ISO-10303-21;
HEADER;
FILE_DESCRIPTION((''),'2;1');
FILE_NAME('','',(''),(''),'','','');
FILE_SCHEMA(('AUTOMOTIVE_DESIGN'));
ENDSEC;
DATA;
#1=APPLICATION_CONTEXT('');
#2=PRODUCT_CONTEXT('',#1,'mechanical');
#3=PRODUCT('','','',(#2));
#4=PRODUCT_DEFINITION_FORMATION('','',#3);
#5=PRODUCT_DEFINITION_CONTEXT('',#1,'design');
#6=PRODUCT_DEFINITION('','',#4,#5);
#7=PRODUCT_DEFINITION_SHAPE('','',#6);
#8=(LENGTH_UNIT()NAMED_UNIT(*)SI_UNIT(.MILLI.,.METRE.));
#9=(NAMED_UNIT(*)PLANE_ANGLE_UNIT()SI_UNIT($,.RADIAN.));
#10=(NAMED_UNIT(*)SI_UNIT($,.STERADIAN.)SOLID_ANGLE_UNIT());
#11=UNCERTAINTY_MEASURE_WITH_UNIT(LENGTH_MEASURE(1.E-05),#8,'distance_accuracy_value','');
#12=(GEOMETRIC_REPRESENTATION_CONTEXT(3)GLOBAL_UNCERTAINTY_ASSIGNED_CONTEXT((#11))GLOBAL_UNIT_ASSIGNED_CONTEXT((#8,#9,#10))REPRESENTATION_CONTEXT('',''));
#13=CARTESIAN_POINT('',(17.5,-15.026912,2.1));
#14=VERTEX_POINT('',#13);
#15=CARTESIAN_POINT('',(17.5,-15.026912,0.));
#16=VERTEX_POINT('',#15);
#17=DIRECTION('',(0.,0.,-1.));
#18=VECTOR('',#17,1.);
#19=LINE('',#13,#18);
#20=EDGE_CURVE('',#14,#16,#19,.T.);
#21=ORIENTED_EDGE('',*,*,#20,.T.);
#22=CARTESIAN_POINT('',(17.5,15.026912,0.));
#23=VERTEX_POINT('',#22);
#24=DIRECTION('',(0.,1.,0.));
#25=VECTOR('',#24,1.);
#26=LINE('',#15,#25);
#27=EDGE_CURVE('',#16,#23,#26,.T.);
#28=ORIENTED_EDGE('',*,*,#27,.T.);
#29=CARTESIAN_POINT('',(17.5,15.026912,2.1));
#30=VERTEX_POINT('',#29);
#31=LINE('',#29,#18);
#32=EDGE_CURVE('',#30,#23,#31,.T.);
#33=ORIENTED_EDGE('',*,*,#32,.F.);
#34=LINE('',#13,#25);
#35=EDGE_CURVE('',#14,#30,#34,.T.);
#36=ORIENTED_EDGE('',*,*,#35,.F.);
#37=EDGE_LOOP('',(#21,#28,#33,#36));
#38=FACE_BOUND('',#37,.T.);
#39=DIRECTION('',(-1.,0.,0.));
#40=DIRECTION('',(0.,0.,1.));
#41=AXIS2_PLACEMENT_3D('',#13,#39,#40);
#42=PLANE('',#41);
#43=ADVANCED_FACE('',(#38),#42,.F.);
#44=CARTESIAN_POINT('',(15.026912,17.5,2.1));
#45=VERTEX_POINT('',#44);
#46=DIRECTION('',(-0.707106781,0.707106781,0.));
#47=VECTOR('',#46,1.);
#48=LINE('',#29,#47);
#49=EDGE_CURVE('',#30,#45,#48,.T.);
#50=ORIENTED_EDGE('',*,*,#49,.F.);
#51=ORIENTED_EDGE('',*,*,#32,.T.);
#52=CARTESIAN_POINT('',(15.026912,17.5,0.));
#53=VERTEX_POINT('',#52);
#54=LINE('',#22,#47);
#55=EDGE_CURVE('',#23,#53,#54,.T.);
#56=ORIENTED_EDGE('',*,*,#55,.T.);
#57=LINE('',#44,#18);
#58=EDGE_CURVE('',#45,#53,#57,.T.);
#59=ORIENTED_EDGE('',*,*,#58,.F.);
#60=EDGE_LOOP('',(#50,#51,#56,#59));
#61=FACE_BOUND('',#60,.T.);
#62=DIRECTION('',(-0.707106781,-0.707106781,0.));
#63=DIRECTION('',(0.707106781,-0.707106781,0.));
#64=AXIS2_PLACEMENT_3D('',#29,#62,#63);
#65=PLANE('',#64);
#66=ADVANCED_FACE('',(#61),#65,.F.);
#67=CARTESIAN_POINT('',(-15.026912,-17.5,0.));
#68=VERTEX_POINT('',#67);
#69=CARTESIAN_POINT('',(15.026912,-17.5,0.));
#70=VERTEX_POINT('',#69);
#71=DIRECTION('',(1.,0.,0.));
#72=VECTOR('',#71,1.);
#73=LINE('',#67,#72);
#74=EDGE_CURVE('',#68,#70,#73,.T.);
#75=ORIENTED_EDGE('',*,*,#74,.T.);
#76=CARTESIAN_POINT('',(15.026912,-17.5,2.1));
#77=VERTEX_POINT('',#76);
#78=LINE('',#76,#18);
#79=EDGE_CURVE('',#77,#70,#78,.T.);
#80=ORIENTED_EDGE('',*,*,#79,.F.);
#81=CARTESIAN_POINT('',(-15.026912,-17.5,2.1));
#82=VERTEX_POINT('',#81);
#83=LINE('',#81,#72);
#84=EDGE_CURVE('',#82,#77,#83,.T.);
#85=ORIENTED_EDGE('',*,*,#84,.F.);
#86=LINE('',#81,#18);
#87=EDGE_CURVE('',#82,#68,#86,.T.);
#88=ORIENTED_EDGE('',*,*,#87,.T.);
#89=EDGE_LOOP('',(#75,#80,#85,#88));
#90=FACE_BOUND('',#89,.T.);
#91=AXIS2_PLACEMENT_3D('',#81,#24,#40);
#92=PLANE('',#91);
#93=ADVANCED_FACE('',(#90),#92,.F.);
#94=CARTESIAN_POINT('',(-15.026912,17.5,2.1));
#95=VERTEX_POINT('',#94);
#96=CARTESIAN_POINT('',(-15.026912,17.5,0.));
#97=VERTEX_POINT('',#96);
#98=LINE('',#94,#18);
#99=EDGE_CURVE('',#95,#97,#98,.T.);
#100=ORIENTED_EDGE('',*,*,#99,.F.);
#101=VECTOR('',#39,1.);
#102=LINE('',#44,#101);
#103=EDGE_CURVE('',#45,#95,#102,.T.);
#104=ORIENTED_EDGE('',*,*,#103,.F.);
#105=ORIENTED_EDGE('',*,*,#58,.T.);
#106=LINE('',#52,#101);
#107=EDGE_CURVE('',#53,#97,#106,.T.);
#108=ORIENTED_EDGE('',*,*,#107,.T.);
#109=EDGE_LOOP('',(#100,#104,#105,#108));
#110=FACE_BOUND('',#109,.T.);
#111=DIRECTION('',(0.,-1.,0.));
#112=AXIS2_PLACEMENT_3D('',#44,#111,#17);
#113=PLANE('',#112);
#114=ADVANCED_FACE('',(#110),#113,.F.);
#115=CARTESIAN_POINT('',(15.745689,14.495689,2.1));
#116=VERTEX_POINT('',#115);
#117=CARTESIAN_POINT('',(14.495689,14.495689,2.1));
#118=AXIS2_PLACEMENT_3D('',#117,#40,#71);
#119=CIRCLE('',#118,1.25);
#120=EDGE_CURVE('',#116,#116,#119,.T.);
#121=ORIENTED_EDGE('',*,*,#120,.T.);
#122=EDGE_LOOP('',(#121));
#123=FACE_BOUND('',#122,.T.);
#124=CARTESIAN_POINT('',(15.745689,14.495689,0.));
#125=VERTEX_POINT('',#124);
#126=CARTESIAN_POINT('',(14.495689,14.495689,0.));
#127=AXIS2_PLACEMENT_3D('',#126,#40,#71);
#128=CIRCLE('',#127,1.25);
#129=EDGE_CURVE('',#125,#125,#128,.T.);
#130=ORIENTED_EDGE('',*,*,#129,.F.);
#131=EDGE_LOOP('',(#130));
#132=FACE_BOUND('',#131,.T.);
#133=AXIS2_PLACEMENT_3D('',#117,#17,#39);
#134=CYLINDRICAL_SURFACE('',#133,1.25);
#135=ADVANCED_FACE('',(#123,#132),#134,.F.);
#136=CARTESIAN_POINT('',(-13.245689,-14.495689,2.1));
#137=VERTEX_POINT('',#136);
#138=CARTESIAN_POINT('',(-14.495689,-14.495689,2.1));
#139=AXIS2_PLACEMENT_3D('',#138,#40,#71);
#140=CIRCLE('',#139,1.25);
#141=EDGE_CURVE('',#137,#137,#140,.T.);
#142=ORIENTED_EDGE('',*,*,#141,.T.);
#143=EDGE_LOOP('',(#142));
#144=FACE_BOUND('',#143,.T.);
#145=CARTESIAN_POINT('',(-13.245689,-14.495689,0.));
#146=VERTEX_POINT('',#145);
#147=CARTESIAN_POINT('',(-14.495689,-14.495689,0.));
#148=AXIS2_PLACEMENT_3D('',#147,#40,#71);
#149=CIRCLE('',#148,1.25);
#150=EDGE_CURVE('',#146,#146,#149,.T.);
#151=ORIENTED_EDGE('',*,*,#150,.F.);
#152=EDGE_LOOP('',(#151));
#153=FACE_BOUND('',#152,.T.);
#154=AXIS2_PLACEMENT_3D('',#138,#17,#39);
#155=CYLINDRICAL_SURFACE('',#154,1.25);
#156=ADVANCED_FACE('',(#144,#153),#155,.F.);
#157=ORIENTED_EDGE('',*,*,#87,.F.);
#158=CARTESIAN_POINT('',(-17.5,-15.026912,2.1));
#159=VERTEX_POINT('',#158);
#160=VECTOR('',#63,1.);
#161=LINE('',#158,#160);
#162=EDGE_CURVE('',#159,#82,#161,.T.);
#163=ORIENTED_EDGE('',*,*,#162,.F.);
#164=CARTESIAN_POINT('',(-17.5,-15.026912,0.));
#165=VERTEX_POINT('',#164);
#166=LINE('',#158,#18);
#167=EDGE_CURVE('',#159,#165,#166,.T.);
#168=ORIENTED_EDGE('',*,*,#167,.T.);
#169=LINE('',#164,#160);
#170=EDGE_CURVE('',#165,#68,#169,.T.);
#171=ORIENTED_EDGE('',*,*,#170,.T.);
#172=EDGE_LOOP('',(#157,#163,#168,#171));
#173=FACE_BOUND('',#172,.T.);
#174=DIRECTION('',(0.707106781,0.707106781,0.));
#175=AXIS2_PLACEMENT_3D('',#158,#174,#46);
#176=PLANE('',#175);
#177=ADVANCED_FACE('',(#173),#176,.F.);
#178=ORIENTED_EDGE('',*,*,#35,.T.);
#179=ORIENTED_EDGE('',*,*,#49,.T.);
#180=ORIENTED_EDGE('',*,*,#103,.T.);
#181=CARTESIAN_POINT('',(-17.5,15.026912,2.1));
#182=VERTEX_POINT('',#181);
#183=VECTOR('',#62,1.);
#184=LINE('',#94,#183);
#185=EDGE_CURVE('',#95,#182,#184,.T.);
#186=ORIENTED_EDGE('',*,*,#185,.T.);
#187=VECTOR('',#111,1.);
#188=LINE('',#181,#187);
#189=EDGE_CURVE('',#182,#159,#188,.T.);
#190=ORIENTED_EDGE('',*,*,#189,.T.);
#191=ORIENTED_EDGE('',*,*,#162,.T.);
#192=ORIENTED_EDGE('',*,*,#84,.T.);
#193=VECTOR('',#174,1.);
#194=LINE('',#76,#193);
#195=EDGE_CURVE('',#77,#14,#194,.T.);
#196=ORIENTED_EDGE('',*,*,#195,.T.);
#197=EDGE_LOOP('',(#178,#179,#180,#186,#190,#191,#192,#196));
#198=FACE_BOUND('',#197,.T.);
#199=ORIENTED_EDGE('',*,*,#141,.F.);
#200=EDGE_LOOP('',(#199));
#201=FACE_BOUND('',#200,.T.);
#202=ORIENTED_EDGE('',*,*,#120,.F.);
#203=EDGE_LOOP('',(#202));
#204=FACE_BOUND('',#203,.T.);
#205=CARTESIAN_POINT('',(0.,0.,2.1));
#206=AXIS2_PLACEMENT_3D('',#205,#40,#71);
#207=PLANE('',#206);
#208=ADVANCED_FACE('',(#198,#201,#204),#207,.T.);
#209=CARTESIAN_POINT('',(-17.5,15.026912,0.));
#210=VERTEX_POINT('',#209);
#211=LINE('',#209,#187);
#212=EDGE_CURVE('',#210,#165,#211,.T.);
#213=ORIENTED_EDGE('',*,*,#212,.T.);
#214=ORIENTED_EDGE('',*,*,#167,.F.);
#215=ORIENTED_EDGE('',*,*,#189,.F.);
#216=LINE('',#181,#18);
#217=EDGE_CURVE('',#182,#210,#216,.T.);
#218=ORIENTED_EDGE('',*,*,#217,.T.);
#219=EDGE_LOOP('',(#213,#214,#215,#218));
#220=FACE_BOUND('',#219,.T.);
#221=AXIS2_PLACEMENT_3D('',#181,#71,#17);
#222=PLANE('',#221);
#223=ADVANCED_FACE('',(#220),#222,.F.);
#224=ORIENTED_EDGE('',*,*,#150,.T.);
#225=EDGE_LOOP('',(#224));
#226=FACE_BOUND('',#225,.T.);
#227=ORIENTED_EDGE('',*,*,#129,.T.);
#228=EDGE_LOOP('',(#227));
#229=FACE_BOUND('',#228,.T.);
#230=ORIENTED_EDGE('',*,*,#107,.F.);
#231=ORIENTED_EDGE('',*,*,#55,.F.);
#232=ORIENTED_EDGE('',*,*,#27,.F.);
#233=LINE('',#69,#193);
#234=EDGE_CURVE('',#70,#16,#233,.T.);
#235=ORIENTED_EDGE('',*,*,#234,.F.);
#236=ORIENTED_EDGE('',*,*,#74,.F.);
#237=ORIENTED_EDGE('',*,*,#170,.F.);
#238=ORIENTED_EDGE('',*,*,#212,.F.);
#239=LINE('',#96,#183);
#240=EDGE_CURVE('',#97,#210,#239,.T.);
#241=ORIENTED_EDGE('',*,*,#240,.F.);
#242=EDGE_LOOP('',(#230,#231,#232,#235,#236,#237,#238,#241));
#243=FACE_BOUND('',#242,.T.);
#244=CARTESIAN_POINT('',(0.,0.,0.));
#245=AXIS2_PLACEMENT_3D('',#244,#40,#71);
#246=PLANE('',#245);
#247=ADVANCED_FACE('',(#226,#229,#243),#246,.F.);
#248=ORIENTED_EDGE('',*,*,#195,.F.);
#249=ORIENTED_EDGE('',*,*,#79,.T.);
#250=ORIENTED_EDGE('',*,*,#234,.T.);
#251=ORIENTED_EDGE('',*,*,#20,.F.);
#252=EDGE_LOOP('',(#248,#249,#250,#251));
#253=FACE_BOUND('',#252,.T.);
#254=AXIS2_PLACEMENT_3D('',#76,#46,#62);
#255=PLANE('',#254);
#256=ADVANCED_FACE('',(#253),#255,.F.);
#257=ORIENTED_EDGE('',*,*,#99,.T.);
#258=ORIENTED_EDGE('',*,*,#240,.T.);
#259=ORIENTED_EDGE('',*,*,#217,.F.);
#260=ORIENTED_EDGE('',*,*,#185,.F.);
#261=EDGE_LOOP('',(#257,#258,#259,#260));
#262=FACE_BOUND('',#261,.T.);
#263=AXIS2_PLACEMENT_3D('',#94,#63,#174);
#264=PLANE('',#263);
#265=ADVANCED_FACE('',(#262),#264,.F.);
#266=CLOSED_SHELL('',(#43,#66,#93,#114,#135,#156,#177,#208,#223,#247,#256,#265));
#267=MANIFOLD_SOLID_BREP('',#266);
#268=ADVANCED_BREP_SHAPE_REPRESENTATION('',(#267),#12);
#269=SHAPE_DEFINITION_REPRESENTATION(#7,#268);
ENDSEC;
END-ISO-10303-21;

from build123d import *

# Parameters (mm, degrees)
SKETCH1_R           = 1.25
BOSS_EXTRUDE1_DEPTH = 2.1


with BuildPart() as part:
    # Sketch1 → Boss-Extrude1 (new body)
    with BuildSketch(Plane.XY):
        Polygon((-17.5, 15.026911935), (-17.5, -15.026911935), (-15.026911935, -17.5), (15.026911935, -17.5), (17.5, -15.026911935), (17.5, 15.026911935), (15.026911935, 17.5), (-15.026911935, 17.5), align=None)
        with Locations((14.495689014, 14.495689014)):
            Circle(SKETCH1_R, mode=Mode.SUBTRACT)
        with Locations((-14.495689014, -14.495689014)):
            Circle(SKETCH1_R, mode=Mode.SUBTRACT)
    extrude(amount=BOSS_EXTRUDE1_DEPTH)


solid = part.part
